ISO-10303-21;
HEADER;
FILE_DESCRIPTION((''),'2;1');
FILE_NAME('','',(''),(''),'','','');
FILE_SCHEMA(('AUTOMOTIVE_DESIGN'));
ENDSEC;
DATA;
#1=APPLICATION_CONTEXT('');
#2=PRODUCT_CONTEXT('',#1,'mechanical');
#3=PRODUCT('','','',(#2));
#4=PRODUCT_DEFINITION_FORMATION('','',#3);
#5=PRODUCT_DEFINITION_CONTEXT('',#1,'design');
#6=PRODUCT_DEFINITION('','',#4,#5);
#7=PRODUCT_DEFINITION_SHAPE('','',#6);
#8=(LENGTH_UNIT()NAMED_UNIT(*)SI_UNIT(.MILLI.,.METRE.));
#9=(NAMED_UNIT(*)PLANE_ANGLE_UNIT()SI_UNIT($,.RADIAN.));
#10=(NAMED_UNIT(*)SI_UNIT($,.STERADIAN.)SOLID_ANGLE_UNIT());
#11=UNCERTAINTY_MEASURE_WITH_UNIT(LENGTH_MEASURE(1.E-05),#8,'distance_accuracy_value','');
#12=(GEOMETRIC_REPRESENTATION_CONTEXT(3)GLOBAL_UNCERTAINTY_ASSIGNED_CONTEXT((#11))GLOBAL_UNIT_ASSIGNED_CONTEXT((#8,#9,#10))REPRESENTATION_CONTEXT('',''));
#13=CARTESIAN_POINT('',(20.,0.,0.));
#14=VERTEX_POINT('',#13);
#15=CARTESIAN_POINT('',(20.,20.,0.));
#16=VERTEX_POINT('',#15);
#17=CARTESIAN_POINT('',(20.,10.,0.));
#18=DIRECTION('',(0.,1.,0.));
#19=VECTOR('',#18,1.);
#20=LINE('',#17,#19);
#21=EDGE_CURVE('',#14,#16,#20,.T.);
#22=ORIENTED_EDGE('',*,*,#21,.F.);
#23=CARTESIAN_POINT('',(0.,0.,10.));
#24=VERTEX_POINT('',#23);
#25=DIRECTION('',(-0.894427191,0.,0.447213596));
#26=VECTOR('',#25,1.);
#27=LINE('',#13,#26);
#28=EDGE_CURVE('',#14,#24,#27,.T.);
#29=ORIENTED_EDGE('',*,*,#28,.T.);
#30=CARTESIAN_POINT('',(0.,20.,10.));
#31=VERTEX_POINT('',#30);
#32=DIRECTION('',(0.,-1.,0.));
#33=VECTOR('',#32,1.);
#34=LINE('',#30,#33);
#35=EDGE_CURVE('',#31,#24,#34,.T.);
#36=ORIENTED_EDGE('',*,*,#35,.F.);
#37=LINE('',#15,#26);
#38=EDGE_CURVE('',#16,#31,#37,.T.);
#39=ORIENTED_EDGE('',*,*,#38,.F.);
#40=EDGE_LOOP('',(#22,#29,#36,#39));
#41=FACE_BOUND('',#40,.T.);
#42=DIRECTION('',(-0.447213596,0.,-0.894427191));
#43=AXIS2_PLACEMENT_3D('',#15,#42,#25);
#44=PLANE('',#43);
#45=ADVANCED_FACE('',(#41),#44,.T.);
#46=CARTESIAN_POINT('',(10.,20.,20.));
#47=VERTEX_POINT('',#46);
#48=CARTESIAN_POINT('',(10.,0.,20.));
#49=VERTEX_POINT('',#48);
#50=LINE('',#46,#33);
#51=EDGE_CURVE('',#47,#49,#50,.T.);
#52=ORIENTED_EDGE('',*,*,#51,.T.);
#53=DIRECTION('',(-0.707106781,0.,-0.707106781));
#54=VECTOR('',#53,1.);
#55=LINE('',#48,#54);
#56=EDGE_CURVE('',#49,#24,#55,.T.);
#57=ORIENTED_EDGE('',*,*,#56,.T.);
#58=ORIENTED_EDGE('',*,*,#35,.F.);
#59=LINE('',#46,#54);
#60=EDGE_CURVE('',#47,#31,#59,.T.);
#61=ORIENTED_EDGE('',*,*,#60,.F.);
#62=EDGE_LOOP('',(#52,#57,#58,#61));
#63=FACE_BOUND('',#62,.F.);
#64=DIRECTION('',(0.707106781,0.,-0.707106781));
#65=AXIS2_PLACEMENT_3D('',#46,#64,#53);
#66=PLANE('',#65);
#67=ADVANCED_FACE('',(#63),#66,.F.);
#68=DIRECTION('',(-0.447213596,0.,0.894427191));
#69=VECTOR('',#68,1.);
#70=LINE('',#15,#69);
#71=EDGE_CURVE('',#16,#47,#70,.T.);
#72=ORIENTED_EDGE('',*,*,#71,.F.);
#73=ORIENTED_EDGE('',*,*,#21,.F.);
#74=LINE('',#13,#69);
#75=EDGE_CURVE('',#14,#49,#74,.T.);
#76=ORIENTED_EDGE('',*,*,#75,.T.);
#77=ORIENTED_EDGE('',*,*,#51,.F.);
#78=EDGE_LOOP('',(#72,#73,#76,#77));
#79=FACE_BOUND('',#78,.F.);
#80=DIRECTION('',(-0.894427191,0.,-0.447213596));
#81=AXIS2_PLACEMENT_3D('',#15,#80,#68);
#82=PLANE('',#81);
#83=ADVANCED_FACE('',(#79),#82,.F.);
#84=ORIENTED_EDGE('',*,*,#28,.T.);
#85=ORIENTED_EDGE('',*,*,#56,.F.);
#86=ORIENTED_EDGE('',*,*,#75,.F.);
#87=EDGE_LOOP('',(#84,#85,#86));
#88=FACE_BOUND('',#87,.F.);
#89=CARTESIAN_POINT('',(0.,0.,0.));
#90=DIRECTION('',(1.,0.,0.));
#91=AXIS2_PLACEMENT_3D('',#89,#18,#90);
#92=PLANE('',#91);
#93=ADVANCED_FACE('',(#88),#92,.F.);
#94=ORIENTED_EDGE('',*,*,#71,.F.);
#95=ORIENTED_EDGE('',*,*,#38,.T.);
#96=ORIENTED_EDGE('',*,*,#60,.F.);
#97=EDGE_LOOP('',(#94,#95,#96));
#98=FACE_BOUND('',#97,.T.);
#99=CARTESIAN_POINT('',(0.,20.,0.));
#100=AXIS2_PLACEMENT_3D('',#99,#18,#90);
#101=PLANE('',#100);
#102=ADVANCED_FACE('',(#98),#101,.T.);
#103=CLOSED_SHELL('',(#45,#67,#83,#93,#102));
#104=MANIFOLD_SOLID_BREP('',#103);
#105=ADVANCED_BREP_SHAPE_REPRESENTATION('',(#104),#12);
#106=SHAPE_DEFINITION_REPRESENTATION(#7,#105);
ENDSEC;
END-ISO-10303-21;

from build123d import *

# Parameters (mm, degrees)
SKETCH1_W           = 20
SKETCH1_H           = 20
BOSS_EXTRUDE1_DEPTH = 20
CUT_EXTRUDE1_DEPTH  = 20
CUT_EXTRUDE2_DEPTH  = 20
CUT_EXTRUDE3_DEPTH  = 20


with BuildPart() as part:
    # Sketch1 → Boss-Extrude1 (new body)
    with BuildSketch(Plane.XY):
        with Locations((10, 10)):
            Rectangle(SKETCH1_W, SKETCH1_H)
    extrude(amount=BOSS_EXTRUDE1_DEPTH)

    # Sketch2 → Cut-Extrude1 (cut)
    with BuildSketch(Plane(origin=(0, 20, 0), x_dir=(1, 0, 0), z_dir=(0, 1, 0))):
        Polygon((20, 0), (10, -20), (20, -20), align=None)
    extrude(amount=-CUT_EXTRUDE1_DEPTH, mode=Mode.SUBTRACT)

    # Sketch3 → Cut-Extrude2 (cut)
    with BuildSketch(Plane(origin=(0, 20, 0), x_dir=(1, 0, 0), z_dir=(0, 1, 0))):
        Polygon((0, -20), (10, -20), (0, -10), align=None)
    extrude(amount=-CUT_EXTRUDE2_DEPTH, mode=Mode.SUBTRACT)

    # Sketch4 → Cut-Extrude3 (cut)
    with BuildSketch(Plane(origin=(0, 20, 0), x_dir=(1, 0, 0), z_dir=(0, 1, 0))):
        Polygon((20, 0), (0, -10), (0, 0), align=None)
    extrude(amount=-CUT_EXTRUDE3_DEPTH, mode=Mode.SUBTRACT)


solid = part.part
